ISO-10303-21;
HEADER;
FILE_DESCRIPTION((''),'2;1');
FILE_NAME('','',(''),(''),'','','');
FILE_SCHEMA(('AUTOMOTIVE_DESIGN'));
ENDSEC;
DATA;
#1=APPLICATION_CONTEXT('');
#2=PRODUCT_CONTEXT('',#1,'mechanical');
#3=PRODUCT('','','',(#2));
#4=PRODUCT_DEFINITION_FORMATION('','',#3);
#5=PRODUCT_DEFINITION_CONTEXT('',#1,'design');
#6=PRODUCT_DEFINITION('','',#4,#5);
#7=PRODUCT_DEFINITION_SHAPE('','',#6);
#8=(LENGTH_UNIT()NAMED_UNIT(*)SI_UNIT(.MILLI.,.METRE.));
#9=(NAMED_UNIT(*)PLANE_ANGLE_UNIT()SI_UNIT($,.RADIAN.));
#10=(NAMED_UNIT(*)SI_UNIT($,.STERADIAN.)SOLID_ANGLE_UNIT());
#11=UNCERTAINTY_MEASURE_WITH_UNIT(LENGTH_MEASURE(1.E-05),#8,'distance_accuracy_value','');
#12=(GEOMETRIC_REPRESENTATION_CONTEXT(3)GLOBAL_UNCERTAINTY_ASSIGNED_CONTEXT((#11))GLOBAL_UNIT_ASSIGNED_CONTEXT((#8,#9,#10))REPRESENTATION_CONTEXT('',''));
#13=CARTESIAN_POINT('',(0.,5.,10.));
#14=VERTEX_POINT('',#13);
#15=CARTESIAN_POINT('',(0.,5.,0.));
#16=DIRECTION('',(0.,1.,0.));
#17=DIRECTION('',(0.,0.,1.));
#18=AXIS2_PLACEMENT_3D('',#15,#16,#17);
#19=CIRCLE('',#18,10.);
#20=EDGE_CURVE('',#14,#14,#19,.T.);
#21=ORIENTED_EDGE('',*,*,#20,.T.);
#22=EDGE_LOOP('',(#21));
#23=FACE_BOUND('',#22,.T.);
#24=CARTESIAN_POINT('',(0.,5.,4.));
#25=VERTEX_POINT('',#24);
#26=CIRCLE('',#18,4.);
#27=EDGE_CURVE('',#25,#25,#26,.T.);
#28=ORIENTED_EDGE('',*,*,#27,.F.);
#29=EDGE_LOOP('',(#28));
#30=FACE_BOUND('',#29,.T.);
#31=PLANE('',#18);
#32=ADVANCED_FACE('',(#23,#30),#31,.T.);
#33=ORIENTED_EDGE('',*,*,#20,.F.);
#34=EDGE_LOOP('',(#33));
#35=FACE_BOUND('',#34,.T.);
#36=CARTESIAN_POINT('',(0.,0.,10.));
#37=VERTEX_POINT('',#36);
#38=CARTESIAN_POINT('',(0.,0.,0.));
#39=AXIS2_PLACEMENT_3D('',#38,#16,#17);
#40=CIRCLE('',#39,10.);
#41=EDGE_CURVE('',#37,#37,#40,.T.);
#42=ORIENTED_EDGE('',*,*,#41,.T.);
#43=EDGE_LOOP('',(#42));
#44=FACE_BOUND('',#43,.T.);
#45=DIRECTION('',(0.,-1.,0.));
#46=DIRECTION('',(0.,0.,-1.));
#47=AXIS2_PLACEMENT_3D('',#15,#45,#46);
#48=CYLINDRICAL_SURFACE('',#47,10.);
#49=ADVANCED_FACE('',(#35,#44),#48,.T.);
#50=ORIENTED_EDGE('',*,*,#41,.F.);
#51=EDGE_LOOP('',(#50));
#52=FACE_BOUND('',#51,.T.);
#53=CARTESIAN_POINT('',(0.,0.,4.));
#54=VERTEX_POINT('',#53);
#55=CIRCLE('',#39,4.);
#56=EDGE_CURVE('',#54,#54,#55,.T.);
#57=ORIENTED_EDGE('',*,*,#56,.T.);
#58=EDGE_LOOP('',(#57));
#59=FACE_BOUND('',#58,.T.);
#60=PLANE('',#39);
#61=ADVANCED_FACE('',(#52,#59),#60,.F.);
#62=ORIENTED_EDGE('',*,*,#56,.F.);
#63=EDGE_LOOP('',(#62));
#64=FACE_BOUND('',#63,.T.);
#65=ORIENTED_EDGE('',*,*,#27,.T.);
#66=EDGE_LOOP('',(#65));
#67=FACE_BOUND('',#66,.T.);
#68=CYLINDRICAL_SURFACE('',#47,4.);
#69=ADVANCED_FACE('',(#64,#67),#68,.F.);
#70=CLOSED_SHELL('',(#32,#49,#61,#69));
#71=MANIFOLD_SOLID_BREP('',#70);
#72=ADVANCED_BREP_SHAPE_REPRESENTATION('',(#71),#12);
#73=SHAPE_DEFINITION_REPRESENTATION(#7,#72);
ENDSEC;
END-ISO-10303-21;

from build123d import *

# Parameters (mm, degrees)
SKETCH1_R           = 10
SKETCH1_R_2         = 4
BOSS_EXTRUDE1_DEPTH = 5


with BuildPart() as part:
    # Sketch1 → Boss-Extrude1 (new body)
    with BuildSketch(Plane(origin=(0, 0, 0), x_dir=(1, 0, 0), z_dir=(0, 1, 0))):
        with Locations(Location((0, 0, 0), (0, 0, 270))):  # turned: the seam where the file's is
            Circle(SKETCH1_R)
        with Locations(Location((0, 0, 0), (0, 0, 270))):  # turned: the seam where the file's is
            Circle(SKETCH1_R_2, mode=Mode.SUBTRACT)
    extrude(amount=BOSS_EXTRUDE1_DEPTH)


solid = part.part
